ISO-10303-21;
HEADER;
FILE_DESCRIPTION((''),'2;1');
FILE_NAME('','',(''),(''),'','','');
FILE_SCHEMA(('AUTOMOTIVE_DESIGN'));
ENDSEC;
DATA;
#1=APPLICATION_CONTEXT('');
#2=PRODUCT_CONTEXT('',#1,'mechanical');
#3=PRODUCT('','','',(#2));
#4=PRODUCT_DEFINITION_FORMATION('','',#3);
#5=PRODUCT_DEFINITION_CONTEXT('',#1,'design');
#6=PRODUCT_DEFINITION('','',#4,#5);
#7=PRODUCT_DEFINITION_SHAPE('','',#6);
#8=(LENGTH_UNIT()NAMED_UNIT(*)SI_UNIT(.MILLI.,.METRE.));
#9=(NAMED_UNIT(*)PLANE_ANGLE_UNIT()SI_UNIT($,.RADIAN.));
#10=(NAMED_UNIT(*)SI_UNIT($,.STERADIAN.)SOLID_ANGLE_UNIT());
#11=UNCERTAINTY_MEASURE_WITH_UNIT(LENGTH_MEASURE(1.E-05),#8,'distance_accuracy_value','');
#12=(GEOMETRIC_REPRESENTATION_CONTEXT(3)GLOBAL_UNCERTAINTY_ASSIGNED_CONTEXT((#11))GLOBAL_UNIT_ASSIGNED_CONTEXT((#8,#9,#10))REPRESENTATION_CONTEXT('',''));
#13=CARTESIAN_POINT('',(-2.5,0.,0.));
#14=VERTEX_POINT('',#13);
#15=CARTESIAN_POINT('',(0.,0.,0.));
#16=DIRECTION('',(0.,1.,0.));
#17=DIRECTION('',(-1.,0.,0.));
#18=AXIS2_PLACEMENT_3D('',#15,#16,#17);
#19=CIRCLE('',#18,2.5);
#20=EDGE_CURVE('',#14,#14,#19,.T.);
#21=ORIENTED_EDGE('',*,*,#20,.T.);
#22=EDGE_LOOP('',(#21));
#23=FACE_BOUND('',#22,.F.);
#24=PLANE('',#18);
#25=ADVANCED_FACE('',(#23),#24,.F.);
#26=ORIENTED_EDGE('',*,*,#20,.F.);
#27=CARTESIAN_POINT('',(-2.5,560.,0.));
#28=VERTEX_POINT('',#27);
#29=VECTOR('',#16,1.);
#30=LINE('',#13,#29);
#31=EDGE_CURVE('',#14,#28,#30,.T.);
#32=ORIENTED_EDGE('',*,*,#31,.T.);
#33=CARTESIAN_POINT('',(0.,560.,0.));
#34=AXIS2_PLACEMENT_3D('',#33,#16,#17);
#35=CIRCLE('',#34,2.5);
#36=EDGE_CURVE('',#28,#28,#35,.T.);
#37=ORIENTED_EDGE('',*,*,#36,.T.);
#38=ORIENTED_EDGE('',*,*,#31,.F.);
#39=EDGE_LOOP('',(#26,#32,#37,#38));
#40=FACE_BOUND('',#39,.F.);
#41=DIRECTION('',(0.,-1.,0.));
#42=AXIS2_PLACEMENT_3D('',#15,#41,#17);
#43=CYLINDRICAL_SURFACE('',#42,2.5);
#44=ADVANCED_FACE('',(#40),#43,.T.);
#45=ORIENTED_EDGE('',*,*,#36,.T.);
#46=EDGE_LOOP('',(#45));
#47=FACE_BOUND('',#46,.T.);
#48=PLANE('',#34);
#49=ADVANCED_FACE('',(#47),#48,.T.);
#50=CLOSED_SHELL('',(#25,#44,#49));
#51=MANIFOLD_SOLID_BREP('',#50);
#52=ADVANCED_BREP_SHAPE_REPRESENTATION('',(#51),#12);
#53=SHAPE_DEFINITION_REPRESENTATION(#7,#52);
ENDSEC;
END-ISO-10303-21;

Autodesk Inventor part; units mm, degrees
ref_plane "YZ Plane" through (0, 0, 0) normal (1, 0, 0) x (0, 1, 0)
ref_plane "XZ Plane" through (0, 0, 0) normal (0, 1, 0) x (-1, 0, 0)
ref_plane "XY Plane" through (0, 0, 0) normal (0, 0, 1) x (1, 0, 0)
sketch "Sketch1" plane through (0, 0, 0) normal (0, 1, 0) x (-1, 0, 0)
  circle A0 centre (0, 0) radius 2.5
  dimension "d0" = 5
extrude "Extrusion1" add sketch "Sketch1" along normal blind 560
properties part number "longshaft"
